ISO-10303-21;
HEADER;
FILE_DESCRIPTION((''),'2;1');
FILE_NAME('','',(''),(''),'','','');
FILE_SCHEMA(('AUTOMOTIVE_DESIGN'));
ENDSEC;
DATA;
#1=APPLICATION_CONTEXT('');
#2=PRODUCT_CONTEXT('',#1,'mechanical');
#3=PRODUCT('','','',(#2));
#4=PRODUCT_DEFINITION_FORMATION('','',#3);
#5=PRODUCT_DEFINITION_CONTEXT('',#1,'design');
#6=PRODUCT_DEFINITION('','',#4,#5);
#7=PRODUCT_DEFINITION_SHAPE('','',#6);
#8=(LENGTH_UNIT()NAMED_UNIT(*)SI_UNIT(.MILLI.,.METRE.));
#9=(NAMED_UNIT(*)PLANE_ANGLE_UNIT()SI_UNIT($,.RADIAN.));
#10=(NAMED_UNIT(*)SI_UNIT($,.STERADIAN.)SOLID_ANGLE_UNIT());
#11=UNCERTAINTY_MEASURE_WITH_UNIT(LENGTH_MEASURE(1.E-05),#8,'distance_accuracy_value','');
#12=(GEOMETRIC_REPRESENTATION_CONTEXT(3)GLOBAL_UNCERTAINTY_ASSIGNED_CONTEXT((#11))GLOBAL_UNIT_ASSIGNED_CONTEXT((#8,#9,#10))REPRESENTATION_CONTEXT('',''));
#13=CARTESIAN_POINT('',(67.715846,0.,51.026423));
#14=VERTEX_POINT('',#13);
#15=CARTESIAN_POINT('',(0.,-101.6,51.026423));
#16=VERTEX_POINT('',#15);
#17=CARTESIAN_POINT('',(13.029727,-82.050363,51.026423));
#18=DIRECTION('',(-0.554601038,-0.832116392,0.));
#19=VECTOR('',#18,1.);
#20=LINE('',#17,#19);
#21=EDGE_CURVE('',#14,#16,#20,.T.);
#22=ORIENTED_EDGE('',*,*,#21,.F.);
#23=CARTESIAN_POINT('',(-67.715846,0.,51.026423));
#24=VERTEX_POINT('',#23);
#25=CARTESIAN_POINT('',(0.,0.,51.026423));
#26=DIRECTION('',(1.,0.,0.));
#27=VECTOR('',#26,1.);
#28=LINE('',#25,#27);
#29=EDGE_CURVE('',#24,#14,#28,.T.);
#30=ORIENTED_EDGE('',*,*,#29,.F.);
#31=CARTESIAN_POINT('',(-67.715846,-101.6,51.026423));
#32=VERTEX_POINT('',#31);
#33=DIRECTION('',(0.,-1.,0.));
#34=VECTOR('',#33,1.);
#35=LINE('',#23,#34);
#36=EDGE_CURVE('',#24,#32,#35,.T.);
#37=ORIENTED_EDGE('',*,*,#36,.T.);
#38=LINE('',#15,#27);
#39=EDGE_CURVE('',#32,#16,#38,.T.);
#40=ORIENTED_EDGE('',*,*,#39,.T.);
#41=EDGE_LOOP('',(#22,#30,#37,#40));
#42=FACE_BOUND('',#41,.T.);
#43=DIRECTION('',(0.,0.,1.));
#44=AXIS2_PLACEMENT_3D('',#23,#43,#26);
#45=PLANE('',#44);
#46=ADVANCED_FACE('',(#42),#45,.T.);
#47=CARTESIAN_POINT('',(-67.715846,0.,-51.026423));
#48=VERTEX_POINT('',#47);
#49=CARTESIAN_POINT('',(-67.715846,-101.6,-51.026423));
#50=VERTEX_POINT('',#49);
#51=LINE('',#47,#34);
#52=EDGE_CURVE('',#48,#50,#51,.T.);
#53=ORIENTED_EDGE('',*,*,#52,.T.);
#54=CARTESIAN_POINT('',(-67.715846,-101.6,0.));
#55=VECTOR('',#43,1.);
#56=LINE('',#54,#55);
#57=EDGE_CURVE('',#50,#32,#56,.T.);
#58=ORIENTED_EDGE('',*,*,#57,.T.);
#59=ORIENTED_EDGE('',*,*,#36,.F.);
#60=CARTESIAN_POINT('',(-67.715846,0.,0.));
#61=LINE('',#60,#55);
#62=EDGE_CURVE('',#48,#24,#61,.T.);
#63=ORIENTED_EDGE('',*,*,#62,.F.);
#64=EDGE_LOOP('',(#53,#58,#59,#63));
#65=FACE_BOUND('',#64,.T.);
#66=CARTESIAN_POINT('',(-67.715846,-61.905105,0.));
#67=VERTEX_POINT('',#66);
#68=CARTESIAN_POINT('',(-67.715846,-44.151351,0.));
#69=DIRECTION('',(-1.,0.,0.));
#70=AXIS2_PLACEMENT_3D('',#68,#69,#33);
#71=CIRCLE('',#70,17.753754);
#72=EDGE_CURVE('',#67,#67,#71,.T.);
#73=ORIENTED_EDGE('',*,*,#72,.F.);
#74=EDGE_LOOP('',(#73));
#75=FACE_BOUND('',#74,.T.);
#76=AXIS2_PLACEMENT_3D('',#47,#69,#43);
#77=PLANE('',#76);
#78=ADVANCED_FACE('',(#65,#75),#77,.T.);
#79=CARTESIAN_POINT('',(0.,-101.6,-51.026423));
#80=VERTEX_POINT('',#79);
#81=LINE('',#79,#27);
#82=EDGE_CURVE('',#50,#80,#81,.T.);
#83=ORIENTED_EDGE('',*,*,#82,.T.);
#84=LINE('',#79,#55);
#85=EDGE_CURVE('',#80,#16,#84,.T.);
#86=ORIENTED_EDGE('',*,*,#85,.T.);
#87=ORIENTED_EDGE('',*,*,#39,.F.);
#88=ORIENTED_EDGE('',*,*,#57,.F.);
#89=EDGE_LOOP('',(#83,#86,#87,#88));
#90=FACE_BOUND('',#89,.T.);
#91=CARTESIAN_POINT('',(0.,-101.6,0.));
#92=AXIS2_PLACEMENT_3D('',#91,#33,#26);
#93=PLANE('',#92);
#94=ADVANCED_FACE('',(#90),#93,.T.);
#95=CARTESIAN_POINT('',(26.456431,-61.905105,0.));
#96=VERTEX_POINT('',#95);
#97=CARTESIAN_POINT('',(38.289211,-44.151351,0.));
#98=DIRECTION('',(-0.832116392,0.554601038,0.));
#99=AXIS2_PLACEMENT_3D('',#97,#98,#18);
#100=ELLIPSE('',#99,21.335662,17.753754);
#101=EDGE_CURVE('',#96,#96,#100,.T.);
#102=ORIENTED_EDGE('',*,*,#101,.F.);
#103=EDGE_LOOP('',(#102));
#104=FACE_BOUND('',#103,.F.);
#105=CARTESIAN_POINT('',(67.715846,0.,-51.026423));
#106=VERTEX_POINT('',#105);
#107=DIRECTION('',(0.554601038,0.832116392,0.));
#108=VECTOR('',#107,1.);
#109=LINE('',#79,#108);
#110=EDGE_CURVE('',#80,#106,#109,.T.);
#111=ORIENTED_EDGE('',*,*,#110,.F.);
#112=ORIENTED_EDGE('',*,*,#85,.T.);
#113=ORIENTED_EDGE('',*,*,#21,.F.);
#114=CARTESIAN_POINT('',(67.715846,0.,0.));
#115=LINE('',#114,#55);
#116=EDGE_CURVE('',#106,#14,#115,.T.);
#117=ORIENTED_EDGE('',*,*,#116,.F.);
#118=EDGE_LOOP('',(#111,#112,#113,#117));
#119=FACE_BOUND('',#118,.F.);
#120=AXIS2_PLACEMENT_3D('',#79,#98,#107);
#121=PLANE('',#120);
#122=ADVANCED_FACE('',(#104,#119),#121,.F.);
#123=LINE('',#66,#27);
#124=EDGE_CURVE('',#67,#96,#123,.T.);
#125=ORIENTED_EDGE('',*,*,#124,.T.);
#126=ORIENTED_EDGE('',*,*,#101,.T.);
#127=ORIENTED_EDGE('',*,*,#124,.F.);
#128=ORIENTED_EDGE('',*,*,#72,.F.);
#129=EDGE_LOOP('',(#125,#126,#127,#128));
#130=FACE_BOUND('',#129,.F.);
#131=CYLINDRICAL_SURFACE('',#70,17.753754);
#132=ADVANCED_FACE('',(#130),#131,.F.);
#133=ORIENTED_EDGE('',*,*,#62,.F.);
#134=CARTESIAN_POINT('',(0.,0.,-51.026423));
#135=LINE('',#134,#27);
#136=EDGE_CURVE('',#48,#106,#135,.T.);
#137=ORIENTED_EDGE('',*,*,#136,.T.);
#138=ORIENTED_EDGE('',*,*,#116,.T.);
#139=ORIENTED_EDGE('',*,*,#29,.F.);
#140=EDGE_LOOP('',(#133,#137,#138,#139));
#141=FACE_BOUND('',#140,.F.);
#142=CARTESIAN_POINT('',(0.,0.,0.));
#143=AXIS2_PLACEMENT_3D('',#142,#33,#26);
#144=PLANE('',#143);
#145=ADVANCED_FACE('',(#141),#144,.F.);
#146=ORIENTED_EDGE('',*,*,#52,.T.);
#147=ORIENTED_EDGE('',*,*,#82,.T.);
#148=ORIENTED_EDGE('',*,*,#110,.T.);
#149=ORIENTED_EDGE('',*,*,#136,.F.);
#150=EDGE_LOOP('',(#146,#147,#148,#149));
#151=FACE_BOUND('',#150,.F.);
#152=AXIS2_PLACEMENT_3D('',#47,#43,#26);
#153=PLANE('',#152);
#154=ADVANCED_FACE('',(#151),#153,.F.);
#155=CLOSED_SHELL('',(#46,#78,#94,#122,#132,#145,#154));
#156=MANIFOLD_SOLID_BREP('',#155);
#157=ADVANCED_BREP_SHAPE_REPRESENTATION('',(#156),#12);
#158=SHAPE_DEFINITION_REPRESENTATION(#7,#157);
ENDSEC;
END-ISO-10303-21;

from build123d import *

# Parameters (mm, degrees)
F0_W     = 135.431692
F0_H     = 102.052846
F1_DEPTH = 101.6
F3_DEPTH = 102.053845
F4_R     = 17.753754
F5_DEPTH = 135.432692


with BuildPart() as f1:
    # F0 (on Front) → F1 (new body)
    with BuildSketch(Plane.XZ):
        Rectangle(F0_W, F0_H)
    extrude(amount=F1_DEPTH)

    # F2 (on face) → F3 (cut, through all)
    with BuildSketch(Plane(origin=(0, 0, -51.026423), x_dir=(1, 0, 0), z_dir=(0, 0, -1))):
        Polygon((67.715846, 0), (67.715846, 101.6), (0, 101.6), align=None)
    extrude(amount=-F3_DEPTH, mode=Mode.SUBTRACT)

    # F4 (on face) → F5 (cut, through all)
    with BuildSketch(Plane(origin=(-67.715846, 0, 0), x_dir=(0, -1, 0), z_dir=(-1, 0, 0))):
        with Locations((44.151351, 0)):
            Circle(F4_R)
    extrude(amount=-F5_DEPTH, mode=Mode.SUBTRACT)


solid = f1.part
